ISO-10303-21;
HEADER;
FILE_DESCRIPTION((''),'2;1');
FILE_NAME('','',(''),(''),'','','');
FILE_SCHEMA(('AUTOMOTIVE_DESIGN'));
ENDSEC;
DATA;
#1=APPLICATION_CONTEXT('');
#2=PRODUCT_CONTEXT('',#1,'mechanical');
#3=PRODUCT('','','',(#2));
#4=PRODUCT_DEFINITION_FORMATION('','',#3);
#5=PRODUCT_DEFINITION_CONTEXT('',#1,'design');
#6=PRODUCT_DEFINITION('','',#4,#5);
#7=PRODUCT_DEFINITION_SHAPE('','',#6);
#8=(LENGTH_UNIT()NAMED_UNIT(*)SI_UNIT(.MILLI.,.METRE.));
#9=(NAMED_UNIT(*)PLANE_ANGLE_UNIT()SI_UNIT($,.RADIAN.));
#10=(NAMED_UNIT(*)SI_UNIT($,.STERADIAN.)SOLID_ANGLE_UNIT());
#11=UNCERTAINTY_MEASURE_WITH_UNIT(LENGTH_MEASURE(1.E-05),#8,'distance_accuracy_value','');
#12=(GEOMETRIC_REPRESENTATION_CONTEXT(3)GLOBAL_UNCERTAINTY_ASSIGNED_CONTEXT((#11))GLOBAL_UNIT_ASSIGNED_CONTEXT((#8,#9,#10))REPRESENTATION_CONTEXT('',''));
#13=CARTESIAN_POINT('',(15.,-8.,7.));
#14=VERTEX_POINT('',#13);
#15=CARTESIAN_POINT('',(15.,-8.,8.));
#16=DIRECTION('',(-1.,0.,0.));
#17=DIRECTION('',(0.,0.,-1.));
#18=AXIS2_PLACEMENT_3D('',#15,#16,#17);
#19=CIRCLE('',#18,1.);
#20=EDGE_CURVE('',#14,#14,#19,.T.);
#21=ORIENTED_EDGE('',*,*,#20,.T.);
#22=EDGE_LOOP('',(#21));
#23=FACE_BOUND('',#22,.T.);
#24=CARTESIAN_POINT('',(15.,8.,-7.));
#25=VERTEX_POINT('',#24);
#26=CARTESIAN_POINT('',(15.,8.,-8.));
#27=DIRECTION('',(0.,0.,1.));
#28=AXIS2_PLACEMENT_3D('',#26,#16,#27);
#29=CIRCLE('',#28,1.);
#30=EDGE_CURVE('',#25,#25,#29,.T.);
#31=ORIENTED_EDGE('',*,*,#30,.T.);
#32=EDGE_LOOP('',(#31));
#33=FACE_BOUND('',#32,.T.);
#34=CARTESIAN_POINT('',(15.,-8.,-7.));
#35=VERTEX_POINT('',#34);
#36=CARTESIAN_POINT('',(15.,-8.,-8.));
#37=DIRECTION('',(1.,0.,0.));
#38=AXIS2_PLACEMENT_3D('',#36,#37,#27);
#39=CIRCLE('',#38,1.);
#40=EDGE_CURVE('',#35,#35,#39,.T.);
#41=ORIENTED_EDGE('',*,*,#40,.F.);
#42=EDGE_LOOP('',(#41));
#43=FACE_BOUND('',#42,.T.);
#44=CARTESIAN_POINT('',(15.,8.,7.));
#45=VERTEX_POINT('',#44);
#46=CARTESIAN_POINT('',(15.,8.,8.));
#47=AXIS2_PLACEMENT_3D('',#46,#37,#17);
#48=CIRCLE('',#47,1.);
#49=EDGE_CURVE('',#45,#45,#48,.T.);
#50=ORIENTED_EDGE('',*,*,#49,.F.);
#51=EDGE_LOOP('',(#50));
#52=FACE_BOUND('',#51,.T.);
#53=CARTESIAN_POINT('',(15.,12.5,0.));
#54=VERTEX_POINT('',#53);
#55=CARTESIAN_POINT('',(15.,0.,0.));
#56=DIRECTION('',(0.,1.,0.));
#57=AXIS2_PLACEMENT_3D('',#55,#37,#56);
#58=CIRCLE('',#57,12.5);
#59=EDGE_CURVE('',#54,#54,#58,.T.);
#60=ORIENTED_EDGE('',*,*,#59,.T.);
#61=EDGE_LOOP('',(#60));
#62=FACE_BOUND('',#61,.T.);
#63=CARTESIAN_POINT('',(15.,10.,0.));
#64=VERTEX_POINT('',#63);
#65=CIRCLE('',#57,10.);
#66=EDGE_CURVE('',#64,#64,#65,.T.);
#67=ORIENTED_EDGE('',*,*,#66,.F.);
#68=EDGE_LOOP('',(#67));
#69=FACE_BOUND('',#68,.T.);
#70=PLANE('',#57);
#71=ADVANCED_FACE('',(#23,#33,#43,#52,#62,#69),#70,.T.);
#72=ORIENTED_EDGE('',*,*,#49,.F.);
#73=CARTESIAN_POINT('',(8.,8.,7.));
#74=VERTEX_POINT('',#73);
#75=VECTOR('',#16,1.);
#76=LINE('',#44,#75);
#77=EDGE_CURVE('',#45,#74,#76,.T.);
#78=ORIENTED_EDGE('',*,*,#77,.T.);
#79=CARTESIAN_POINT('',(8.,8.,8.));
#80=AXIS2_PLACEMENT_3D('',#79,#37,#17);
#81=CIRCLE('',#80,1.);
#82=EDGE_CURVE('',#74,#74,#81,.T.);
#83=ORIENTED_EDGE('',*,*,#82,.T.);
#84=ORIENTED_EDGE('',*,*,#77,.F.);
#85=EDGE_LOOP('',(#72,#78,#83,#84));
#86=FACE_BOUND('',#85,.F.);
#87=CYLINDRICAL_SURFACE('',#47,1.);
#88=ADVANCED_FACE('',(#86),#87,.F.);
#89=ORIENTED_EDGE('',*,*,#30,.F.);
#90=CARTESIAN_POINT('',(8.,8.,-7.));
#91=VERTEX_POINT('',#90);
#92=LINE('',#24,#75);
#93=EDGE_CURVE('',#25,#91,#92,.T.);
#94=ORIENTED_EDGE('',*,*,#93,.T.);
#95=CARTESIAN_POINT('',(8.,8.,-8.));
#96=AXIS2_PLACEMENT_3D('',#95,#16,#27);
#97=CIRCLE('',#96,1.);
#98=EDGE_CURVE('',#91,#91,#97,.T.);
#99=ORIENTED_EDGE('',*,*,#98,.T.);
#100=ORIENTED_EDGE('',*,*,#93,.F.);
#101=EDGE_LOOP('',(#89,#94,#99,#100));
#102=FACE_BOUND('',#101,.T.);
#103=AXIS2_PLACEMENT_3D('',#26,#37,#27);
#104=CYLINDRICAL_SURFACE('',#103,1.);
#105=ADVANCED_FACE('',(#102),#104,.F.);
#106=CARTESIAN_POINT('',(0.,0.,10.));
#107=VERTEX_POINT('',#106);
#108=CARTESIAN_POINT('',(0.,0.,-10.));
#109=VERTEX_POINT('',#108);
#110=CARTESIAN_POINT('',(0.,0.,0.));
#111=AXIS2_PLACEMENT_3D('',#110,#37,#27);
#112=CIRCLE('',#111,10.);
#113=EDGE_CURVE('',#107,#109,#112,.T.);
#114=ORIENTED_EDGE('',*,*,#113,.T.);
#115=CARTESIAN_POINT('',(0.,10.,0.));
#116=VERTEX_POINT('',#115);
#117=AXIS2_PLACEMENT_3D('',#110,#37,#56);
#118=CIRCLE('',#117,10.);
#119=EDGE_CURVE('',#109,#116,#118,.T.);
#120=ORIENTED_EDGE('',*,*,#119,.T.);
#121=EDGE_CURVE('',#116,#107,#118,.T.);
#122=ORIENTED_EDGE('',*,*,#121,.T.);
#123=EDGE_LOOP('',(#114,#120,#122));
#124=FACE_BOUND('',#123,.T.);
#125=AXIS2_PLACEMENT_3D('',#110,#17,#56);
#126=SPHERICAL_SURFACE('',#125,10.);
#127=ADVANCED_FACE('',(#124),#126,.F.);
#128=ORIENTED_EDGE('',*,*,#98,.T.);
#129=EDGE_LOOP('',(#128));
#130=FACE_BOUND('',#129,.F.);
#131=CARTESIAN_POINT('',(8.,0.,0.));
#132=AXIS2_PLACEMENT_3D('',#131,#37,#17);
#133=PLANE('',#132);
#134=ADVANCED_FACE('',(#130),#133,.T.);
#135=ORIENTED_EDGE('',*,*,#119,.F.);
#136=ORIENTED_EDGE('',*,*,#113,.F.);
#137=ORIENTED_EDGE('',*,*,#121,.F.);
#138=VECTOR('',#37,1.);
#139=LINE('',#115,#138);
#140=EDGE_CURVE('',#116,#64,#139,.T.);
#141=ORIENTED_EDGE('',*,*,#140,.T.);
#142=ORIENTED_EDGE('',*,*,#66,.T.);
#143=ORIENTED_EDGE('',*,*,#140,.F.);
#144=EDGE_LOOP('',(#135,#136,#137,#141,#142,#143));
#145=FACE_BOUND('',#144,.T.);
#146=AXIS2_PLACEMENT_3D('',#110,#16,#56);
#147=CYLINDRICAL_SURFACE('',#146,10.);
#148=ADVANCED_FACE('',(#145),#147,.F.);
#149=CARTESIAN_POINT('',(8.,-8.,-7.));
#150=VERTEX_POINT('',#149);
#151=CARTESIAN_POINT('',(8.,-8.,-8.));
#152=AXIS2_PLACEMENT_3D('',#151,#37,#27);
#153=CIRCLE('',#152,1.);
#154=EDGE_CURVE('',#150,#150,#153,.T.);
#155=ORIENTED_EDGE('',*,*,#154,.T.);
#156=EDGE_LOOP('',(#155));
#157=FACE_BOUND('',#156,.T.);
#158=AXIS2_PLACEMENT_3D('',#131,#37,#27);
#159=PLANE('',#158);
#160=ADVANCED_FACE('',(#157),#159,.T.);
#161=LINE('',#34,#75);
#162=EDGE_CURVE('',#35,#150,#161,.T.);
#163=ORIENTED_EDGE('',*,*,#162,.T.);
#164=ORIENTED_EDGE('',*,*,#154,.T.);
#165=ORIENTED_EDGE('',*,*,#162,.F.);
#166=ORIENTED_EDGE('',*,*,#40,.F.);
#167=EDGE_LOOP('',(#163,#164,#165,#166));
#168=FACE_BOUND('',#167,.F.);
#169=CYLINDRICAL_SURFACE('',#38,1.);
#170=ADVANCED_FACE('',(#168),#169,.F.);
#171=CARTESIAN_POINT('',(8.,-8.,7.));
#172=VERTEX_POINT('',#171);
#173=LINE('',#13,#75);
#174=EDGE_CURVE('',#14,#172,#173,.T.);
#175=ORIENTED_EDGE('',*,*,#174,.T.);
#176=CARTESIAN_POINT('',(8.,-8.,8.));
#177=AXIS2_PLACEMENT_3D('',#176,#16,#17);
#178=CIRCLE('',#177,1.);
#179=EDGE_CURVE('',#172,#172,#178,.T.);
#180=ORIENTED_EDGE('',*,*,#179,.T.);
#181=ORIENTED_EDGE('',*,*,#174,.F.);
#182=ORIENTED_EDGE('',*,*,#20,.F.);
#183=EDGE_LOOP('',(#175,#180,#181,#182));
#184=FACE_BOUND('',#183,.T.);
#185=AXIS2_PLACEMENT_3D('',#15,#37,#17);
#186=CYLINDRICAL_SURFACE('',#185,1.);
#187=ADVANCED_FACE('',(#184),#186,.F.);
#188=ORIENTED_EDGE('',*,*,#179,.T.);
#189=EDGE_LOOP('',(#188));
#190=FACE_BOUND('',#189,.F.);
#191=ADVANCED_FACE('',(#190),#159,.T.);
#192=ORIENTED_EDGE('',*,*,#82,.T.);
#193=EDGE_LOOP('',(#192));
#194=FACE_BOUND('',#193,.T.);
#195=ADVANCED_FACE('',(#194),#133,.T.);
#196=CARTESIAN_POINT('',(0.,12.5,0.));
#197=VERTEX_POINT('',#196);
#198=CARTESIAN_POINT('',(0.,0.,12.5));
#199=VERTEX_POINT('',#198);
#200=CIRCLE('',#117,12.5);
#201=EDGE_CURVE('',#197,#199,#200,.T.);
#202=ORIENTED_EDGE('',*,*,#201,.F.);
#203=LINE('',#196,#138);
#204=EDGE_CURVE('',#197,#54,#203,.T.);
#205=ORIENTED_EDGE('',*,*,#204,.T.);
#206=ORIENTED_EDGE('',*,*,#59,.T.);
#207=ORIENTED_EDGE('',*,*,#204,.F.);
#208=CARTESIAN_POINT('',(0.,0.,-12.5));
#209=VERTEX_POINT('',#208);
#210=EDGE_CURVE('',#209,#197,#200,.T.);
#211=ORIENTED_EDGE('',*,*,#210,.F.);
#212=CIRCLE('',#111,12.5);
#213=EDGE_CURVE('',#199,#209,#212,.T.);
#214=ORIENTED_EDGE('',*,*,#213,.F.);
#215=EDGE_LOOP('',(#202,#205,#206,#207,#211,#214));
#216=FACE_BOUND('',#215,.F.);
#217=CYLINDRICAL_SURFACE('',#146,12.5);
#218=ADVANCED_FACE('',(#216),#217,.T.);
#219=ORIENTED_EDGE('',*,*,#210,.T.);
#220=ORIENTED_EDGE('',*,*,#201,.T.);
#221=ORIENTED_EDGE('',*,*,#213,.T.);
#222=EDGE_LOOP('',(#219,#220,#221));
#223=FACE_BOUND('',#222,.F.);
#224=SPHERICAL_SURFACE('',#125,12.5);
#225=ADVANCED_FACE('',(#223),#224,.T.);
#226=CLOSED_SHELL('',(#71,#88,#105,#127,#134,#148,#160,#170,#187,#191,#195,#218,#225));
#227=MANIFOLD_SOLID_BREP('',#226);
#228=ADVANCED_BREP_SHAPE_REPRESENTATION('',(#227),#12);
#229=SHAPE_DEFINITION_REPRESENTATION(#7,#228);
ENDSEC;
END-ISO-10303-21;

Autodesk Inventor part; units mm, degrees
ref_plane "YZ Plane" through (0, 0, 0) normal (1, 0, 0) x (0, 1, 0)
ref_plane "XZ Plane" through (0, 0, 0) normal (0, 1, 0) x (-1, 0, 0)
ref_plane "XY Plane" through (0, 0, 0) normal (0, 0, 1) x (1, 0, 0)
sketch "Sketch2" plane through (0, 0, 0) normal (1, 0, 0) x (0, 1, 0)
  circle A0 centre (0, 0) radius 10
  circle A1 centre (0, 0) radius 12.5
  dimension "d3" = 20
  dimension "d4" = 25
extrude "Extrusion1" add sketch "Sketch2" along normal blind 15
sketch "Sketch3" plane through (0, 0, 0) normal (-1, 0, 0) x (0, 0, 1)
  circle A0 centre (0, 0) radius 10 projected
  arc A1 (10, 0) -> (-10, 0) centre (0, 0) ccw
  circle A2 centre (0, 0) radius 12.5 projected
  arc A3 (12.5, 0) -> (-12.5, 0) centre (0, 0) ccw
  line L0 (-12.5, 0) -> (-10, 0)
  line L1 (10, 0) -> (12.5, 0)
revolve "Revolution1" add sketch "Sketch3" angle 180 about axis through (0, 0, 10) along (0, 0, 1) picked at (-11.4487, 1.7949) contours A0 L0 A2 L1
sketch "Sketch5" plane through (15, 0, 0) normal (1, 0, 0) x (0, 0, -1)
  circle A0 centre (-8, 8) radius 1
  point P0 (0, 0)
  dimension "d9" = 2
extrude "Extrusion2" cut sketch "Sketch5" against normal blind 7
mirror "Mirror1" about plane through (0, 0, 0) normal (0, 0, 1) of "Extrusion2"
mirror "Mirror2" about plane through (0, 0, 0) normal (0, 1, 0) of "Extrusion2", "Mirror1"
properties part number "Plasmid Half 2"
